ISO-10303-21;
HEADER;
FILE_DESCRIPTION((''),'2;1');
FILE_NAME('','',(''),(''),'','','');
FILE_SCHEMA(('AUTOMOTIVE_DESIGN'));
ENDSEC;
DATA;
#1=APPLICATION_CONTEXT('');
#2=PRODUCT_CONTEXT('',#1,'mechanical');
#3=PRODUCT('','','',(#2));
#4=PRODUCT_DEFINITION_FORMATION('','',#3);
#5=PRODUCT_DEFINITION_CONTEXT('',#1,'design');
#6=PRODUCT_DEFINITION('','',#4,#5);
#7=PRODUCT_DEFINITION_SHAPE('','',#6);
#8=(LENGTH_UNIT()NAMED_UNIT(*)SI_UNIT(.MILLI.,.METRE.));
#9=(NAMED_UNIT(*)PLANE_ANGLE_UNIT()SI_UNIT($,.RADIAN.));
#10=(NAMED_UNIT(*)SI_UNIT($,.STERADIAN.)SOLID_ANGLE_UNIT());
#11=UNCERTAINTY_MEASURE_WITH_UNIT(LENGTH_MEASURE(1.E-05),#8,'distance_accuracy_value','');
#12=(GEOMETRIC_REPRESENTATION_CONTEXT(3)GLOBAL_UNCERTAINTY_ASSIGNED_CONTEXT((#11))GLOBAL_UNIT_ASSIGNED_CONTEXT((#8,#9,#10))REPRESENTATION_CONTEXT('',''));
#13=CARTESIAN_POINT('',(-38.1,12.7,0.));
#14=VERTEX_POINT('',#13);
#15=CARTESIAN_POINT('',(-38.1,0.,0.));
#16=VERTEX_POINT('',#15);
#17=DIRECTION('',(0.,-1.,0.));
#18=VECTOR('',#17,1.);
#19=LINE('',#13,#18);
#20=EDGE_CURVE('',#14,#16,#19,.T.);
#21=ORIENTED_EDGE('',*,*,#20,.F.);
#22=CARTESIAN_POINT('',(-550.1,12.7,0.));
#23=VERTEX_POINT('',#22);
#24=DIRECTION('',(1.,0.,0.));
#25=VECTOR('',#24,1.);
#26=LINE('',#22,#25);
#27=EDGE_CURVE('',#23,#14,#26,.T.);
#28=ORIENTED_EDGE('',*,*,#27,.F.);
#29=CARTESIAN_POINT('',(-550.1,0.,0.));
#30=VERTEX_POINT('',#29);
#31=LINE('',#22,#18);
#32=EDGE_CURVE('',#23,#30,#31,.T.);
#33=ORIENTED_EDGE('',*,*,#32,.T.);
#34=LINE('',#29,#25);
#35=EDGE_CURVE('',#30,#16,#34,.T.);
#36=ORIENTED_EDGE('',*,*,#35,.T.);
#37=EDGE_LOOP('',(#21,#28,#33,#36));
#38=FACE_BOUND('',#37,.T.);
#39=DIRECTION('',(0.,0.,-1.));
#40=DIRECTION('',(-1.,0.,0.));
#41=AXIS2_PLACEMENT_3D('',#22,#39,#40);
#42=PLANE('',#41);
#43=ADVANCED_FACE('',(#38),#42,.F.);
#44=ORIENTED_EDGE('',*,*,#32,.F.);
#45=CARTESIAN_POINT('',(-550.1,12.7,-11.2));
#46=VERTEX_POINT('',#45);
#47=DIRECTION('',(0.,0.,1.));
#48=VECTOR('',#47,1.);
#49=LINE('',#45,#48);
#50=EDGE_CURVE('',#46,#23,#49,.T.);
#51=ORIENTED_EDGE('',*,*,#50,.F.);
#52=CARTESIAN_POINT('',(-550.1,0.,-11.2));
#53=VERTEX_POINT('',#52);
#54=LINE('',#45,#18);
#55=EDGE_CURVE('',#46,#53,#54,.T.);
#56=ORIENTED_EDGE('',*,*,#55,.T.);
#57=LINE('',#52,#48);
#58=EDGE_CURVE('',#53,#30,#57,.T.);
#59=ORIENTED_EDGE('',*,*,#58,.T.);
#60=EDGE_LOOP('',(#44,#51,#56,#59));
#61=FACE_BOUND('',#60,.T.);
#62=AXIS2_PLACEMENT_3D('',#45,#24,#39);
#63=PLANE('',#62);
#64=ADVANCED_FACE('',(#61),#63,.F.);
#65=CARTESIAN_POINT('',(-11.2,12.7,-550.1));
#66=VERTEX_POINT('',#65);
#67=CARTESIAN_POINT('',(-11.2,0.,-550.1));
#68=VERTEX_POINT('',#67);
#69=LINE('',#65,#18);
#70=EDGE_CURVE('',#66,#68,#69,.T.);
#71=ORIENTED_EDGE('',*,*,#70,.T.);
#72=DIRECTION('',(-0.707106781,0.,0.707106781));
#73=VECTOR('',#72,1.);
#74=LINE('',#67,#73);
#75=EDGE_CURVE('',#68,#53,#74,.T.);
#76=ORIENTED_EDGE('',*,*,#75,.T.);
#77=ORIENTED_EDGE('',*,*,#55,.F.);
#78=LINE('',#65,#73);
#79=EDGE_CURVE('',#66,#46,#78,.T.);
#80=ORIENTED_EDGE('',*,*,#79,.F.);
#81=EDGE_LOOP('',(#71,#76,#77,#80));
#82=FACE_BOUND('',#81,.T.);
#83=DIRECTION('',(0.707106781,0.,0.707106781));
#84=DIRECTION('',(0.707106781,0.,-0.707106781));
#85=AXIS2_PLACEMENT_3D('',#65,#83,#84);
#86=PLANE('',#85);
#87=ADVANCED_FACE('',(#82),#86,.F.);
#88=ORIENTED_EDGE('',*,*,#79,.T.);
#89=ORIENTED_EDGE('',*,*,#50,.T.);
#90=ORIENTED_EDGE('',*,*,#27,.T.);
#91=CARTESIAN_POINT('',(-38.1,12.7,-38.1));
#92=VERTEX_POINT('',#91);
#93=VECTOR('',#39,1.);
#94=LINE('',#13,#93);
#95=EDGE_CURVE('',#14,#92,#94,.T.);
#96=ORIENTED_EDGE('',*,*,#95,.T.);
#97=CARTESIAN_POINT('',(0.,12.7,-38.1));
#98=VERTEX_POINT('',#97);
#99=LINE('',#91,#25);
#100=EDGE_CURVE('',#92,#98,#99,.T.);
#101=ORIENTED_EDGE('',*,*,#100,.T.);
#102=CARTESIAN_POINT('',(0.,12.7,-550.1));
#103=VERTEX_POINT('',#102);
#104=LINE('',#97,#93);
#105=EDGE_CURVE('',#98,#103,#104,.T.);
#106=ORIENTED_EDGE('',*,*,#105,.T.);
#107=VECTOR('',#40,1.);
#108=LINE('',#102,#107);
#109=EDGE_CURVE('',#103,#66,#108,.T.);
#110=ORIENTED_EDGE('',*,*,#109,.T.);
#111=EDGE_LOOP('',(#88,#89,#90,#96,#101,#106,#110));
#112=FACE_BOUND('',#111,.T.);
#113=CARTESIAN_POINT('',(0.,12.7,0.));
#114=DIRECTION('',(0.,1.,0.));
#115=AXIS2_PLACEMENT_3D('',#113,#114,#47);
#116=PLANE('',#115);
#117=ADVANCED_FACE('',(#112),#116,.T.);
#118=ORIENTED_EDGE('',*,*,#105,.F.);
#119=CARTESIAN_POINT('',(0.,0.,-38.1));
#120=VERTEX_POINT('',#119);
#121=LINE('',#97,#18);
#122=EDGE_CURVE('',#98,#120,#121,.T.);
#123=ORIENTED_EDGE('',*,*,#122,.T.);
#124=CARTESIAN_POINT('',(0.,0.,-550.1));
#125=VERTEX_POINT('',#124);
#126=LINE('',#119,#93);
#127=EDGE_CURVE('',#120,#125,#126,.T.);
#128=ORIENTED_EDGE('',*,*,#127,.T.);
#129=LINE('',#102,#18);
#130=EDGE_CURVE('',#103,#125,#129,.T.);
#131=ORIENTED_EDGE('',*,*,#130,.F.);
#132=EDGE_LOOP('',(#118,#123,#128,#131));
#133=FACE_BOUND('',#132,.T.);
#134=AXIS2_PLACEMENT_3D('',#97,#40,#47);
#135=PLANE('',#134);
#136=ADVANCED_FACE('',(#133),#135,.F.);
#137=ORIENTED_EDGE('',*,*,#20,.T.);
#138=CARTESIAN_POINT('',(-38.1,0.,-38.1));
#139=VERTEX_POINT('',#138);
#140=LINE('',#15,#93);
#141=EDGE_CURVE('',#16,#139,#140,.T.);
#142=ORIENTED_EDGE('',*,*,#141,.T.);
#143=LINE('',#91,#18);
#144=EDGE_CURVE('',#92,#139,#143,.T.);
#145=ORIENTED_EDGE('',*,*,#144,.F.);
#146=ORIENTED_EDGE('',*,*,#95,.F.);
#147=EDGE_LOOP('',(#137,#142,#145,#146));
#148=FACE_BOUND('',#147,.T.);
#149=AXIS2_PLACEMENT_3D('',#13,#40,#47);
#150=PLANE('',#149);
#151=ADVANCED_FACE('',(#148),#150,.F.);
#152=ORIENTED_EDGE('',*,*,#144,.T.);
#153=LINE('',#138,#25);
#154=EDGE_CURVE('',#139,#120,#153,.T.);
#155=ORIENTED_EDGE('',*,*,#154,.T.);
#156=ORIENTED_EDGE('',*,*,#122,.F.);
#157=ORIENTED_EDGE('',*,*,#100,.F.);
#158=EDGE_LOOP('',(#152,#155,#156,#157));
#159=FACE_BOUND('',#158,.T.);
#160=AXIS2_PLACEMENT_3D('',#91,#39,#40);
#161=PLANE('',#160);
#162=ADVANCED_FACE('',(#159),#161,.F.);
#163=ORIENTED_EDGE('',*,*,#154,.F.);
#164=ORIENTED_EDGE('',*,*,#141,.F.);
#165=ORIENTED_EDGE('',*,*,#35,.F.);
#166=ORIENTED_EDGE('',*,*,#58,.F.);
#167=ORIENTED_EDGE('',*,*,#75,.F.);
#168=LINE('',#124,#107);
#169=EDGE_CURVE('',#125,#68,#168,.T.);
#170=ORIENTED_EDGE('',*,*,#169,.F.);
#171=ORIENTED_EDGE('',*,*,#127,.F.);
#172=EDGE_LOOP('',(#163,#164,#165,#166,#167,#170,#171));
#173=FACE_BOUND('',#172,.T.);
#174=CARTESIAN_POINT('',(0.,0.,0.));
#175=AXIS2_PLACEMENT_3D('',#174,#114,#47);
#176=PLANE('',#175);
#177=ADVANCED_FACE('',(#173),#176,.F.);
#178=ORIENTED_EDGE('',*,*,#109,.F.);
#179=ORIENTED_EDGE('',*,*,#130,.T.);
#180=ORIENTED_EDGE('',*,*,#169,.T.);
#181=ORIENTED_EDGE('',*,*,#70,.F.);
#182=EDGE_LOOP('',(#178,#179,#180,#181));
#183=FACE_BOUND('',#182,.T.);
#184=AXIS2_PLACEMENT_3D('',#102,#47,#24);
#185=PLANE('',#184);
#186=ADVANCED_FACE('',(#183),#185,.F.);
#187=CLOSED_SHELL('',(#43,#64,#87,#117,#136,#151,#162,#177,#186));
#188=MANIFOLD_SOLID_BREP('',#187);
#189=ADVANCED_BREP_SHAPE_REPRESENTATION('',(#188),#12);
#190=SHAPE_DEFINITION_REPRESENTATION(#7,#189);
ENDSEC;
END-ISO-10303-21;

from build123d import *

# Parameters (mm, degrees)
BOSS_EXTRUDE1_DEPTH = 12.7


with BuildPart() as part:
    # Sketch1 → Boss-Extrude1 (new body)
    with BuildSketch(Plane(origin=(0, 0, 0), x_dir=(1, 0, 0), z_dir=(0, 1, 0))):
        Polygon((-11.2, 550.1), (-550.1, 11.2), (-550.1, 0), (-38.1, 0), (-38.1, 38.1), (0, 38.1), (0, 550.1), align=None)
    extrude(amount=BOSS_EXTRUDE1_DEPTH)


solid = part.part
